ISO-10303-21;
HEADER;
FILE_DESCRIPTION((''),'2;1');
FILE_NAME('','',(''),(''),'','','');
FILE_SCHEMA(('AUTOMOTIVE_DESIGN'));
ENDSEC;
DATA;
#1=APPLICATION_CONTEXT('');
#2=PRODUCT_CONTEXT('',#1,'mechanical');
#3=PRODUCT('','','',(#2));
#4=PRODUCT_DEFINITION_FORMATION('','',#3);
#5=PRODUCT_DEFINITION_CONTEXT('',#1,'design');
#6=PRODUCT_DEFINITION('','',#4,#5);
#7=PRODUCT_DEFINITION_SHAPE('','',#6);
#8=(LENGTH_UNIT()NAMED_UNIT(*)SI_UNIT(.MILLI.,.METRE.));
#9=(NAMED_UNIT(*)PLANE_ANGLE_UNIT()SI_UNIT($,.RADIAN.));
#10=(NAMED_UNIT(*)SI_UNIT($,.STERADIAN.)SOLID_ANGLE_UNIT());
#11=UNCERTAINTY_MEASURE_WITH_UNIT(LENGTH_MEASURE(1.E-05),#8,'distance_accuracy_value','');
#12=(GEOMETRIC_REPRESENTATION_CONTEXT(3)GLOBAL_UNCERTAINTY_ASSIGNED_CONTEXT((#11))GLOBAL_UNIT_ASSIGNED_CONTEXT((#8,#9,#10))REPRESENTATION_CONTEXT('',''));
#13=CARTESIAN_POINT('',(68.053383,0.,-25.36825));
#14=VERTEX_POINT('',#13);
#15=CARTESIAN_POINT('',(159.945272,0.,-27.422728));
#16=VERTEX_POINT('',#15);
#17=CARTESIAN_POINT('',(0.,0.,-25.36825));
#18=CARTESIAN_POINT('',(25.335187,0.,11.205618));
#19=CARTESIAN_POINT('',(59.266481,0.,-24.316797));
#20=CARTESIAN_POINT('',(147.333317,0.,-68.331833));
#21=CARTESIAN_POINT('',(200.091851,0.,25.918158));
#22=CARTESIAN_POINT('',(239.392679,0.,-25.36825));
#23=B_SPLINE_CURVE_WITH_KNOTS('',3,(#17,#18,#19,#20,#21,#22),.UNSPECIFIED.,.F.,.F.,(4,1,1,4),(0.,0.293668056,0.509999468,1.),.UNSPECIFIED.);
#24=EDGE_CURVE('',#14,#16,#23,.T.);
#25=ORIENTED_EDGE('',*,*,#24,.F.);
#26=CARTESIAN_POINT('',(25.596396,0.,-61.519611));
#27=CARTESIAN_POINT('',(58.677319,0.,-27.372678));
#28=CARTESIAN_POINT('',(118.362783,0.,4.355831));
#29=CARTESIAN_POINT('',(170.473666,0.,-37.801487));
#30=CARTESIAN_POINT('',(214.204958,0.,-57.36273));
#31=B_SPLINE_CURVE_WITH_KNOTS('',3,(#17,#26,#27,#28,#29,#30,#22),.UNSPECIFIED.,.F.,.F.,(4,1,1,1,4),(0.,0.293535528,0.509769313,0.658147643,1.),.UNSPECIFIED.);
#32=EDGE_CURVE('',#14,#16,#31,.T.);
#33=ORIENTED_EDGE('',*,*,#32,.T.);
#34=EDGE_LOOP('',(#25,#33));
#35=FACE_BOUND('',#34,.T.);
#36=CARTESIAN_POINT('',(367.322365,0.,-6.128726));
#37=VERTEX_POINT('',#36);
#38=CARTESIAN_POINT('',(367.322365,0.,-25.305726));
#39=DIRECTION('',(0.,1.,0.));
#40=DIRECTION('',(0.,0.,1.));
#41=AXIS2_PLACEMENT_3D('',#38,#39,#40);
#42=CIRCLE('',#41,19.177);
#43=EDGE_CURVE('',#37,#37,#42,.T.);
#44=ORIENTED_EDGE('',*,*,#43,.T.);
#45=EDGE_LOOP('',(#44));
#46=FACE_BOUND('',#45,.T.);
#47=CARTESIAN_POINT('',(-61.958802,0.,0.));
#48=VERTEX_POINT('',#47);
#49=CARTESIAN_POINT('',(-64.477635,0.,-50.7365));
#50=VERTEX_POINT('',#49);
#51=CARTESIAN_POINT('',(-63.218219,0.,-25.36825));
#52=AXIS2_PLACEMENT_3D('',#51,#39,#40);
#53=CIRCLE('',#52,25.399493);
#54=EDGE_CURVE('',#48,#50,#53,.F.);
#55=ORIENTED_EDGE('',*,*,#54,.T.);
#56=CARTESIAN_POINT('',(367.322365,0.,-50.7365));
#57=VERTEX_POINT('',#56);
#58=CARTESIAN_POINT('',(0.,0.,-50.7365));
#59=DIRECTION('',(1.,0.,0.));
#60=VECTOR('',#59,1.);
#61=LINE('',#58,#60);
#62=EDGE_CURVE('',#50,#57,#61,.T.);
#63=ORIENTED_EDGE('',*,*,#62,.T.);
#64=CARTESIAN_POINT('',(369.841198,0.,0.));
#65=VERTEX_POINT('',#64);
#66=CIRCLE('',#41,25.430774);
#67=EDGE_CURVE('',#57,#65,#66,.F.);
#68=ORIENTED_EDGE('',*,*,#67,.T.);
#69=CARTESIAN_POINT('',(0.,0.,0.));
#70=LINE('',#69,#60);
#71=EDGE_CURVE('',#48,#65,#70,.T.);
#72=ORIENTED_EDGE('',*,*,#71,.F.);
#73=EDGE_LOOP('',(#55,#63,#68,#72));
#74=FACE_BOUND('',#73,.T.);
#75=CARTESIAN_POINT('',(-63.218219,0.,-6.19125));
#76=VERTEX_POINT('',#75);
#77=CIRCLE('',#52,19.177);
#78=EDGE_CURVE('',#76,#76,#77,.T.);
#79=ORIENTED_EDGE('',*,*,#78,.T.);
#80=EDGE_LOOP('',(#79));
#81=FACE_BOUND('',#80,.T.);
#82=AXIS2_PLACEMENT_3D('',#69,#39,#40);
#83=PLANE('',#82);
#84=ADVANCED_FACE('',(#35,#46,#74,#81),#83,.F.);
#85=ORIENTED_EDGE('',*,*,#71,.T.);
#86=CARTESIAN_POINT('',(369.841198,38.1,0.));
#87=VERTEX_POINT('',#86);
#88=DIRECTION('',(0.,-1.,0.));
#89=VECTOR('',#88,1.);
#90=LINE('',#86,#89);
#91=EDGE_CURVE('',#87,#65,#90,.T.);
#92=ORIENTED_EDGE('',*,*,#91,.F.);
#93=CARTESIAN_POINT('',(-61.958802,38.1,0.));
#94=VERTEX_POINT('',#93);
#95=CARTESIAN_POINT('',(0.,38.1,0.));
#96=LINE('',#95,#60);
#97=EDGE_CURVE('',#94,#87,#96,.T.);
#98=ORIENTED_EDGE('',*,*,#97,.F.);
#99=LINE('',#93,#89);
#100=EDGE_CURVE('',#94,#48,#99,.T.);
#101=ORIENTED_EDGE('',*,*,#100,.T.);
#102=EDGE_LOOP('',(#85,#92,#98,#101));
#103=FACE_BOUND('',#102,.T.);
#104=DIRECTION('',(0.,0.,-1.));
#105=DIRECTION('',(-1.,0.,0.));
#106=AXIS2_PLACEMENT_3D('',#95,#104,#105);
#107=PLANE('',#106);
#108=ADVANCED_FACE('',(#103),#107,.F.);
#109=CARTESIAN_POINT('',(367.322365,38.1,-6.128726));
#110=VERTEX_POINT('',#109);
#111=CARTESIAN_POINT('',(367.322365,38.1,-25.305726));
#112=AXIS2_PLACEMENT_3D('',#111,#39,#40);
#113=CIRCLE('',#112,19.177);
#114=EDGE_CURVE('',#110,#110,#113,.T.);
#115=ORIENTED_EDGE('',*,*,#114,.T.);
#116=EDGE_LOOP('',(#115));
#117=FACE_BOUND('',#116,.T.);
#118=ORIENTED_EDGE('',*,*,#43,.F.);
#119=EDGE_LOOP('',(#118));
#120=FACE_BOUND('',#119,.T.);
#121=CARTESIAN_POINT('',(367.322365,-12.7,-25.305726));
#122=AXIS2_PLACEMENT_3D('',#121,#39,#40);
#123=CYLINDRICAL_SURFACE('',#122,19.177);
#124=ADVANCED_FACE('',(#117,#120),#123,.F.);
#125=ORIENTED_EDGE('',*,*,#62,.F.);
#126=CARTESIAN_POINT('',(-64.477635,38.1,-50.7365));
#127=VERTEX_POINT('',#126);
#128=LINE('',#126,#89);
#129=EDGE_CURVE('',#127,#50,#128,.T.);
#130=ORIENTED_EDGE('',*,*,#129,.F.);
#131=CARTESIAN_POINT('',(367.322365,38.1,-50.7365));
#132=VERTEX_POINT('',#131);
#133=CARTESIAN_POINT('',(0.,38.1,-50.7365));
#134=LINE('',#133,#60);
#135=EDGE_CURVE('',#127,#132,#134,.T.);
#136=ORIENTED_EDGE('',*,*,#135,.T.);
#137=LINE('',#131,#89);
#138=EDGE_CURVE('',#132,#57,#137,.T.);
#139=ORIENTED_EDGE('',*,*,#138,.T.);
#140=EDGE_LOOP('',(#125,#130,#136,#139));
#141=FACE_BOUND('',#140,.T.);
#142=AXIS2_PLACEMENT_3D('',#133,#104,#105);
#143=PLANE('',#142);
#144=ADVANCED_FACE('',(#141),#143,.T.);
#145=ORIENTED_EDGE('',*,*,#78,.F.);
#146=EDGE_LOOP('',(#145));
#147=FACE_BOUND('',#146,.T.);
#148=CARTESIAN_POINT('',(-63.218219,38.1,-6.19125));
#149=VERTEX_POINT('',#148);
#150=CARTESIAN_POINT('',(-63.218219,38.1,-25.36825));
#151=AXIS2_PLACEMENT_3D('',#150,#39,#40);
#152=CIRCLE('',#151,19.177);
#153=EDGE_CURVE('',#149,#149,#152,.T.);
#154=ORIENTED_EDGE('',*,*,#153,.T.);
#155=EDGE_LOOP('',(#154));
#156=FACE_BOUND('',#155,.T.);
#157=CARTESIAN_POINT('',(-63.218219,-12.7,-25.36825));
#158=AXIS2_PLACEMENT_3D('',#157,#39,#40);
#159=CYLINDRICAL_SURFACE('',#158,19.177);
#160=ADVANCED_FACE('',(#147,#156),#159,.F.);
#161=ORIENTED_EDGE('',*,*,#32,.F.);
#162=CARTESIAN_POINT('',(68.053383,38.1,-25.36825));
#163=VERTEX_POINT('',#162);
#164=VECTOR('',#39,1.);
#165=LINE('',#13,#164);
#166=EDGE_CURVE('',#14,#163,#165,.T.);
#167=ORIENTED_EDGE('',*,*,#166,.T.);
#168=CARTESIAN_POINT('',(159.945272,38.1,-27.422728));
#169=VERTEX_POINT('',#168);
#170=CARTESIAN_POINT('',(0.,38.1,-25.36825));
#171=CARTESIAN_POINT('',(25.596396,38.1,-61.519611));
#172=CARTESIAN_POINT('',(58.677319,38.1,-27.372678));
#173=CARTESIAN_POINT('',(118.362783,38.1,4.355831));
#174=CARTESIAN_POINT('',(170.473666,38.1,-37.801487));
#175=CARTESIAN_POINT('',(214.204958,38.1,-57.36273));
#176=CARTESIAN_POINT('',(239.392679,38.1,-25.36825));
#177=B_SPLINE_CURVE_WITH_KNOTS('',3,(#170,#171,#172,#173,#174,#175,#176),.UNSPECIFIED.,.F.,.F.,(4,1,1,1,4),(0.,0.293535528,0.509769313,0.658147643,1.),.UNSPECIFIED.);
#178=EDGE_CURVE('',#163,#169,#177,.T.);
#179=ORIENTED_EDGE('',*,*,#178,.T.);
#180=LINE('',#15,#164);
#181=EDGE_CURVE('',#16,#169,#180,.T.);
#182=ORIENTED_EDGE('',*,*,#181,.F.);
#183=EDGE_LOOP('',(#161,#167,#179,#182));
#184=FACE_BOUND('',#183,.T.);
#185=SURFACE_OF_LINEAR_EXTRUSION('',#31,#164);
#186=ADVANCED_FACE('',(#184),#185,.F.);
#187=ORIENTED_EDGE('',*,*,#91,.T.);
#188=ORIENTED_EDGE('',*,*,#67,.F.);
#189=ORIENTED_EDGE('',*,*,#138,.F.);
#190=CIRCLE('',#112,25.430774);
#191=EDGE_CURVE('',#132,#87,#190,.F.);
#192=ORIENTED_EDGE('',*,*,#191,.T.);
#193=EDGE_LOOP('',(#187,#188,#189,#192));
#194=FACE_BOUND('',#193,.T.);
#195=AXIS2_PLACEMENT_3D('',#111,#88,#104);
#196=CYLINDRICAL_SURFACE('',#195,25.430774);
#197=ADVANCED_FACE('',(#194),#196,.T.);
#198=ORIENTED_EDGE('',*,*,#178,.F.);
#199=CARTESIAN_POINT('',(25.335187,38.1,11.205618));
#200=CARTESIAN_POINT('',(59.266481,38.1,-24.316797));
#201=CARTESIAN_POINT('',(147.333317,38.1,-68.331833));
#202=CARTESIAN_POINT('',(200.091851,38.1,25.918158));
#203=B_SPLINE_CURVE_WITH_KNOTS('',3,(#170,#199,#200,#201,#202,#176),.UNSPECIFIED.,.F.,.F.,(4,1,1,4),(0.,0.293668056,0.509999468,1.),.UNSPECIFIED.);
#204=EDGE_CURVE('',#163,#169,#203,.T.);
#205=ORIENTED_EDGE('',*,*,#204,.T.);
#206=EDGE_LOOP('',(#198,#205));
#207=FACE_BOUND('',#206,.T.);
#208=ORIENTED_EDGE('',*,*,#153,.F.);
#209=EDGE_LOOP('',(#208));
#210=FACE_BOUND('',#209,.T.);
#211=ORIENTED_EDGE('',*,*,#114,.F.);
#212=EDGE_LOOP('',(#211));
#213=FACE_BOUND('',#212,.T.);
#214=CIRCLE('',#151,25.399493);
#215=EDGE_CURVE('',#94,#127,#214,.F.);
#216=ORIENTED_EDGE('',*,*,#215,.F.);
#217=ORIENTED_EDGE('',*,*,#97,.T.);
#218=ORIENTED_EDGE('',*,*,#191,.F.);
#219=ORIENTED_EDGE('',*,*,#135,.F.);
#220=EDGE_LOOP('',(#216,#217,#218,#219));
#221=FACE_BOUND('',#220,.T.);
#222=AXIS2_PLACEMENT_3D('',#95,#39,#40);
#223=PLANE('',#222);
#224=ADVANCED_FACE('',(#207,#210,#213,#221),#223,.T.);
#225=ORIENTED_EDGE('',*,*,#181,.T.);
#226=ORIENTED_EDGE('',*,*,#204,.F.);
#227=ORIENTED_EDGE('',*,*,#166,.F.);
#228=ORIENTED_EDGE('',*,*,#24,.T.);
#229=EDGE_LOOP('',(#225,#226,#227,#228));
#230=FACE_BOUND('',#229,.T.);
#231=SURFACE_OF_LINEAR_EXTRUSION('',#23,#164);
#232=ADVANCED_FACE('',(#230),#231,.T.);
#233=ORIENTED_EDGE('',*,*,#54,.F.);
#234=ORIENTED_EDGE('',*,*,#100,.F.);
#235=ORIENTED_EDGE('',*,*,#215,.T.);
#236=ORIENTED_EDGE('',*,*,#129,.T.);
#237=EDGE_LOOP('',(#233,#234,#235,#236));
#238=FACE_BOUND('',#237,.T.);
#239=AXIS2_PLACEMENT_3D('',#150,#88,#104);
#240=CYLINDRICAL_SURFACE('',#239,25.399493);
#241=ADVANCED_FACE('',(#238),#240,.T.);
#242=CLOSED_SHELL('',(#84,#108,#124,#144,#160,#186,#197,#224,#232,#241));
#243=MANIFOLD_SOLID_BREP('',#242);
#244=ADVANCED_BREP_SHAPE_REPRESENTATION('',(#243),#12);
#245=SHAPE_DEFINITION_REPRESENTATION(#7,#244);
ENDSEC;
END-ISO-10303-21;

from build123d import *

# Parameters (mm, degrees)
SALIENTE_EXTRUIR1_DEPTH = 38.1
CORTAR_EXTRUIR18_DEPTH  = 38.1
CROQUIS4_OUTSIDE_W      = 580.479
CROQUIS4_OUTSIDE_H      = 149.876
CROQUIS4_OUTSIDE_R      = 19.177
CORTAR_EXTRUIR21_DEPTH  = 50.8


with BuildPart() as part:
    # Croquis1 → Saliente-Extruir1 (new body)
    with BuildSketch(Plane(origin=(0, 0, 0), x_dir=(1, 0, 0), z_dir=(0, 1, 0))):
        with BuildLine():
            Line((-61.958802083, 0), (369.841197917, 0))
            ThreePointArc((369.841197917, 0), (392.72185746, 26.5666935), (367.322364583, 50.7365))
            Line((367.322364583, 50.7365), (-64.477635417, 50.7365))
            ThreePointArc((-64.477635417, 50.7365), (-88.58646875, 24.108833333), (-61.958802083, 0))
        make_face()
    extrude(amount=SALIENTE_EXTRUIR1_DEPTH)

    # Croquis3 → Cortar-Extruir18 (cut)
    with BuildSketch(Plane(origin=(0, 38.1, 0), x_dir=(1, 0, 0), z_dir=(0, 1, 0))):
        with BuildLine():
            add(Edge.make_bspline(
                [(68.053382641, 25.36825), (85.128897701, 37.242607365), (117.715779547, 53.529246636), (147.710358419, 35.418129568), (159.94527156, 27.422727745)],
                knots=[0.293668056, 0.293668056, 0.293668056, 0.293668056, 0.509999468, 0.663692502, 0.663692502, 0.663692502, 0.663692502], degree=3))
            add(Edge.make_bspline(
                [(68.053382641, 25.36825), (85.297187869, 13.221681932), (118.362782549, -4.355831371), (146.208725565, 18.171330049), (158.923925731, 26.746070777), (159.94527156, 27.422727745)],
                knots=[0.293535528, 0.293535528, 0.293535528, 0.293535528, 0.509769313, 0.658147643, 0.671041491, 0.671041491, 0.671041491, 0.671041491], degree=3))
        make_face()
    extrude(amount=-CORTAR_EXTRUIR18_DEPTH, mode=Mode.SUBTRACT)

    # Croquis4 outside → Cortar-Extruir21 (cut)
    # profile 1 of 3: a face of its own
    with BuildSketch(Plane(origin=(0, 38.1, 0), x_dir=(1, 0, 0), z_dir=(0, 1, 0))):
        with Locations((152.0675, 25.353)):
            Rectangle(CROQUIS4_OUTSIDE_W, CROQUIS4_OUTSIDE_H)
        with BuildLine():
            Line((-64.477635417, 50.7365), (367.322364583, 50.7365))
            ThreePointArc((367.322364583, 50.7365), (392.72185746, 26.5666935), (369.841197917, 0))
            Line((369.841197917, 0), (-61.958802083, 0))
            ThreePointArc((-61.958802083, 0), (-88.58646875, 24.108833333), (-64.477635417, 50.7365))
        make_face(mode=Mode.SUBTRACT)
    # profile 2 of 3: a face of its own
    with BuildSketch(Plane(origin=(0, 38.1, 0), x_dir=(1, 0, 0), z_dir=(0, 1, 0))):
        with Locations(Location((-63.21821875, 25.36825, 0), (0, 0, 270))):
            Circle(CROQUIS4_OUTSIDE_R)
    # profile 3 of 3: a face of its own
    with BuildSketch(Plane(origin=(0, 38.1, 0), x_dir=(1, 0, 0), z_dir=(0, 1, 0))):
        with Locations(Location((367.322364583, 25.305725768, 0), (0, 0, 270))):
            Circle(CROQUIS4_OUTSIDE_R)
    extrude(amount=-CORTAR_EXTRUIR21_DEPTH, mode=Mode.SUBTRACT)


solid = part.part
